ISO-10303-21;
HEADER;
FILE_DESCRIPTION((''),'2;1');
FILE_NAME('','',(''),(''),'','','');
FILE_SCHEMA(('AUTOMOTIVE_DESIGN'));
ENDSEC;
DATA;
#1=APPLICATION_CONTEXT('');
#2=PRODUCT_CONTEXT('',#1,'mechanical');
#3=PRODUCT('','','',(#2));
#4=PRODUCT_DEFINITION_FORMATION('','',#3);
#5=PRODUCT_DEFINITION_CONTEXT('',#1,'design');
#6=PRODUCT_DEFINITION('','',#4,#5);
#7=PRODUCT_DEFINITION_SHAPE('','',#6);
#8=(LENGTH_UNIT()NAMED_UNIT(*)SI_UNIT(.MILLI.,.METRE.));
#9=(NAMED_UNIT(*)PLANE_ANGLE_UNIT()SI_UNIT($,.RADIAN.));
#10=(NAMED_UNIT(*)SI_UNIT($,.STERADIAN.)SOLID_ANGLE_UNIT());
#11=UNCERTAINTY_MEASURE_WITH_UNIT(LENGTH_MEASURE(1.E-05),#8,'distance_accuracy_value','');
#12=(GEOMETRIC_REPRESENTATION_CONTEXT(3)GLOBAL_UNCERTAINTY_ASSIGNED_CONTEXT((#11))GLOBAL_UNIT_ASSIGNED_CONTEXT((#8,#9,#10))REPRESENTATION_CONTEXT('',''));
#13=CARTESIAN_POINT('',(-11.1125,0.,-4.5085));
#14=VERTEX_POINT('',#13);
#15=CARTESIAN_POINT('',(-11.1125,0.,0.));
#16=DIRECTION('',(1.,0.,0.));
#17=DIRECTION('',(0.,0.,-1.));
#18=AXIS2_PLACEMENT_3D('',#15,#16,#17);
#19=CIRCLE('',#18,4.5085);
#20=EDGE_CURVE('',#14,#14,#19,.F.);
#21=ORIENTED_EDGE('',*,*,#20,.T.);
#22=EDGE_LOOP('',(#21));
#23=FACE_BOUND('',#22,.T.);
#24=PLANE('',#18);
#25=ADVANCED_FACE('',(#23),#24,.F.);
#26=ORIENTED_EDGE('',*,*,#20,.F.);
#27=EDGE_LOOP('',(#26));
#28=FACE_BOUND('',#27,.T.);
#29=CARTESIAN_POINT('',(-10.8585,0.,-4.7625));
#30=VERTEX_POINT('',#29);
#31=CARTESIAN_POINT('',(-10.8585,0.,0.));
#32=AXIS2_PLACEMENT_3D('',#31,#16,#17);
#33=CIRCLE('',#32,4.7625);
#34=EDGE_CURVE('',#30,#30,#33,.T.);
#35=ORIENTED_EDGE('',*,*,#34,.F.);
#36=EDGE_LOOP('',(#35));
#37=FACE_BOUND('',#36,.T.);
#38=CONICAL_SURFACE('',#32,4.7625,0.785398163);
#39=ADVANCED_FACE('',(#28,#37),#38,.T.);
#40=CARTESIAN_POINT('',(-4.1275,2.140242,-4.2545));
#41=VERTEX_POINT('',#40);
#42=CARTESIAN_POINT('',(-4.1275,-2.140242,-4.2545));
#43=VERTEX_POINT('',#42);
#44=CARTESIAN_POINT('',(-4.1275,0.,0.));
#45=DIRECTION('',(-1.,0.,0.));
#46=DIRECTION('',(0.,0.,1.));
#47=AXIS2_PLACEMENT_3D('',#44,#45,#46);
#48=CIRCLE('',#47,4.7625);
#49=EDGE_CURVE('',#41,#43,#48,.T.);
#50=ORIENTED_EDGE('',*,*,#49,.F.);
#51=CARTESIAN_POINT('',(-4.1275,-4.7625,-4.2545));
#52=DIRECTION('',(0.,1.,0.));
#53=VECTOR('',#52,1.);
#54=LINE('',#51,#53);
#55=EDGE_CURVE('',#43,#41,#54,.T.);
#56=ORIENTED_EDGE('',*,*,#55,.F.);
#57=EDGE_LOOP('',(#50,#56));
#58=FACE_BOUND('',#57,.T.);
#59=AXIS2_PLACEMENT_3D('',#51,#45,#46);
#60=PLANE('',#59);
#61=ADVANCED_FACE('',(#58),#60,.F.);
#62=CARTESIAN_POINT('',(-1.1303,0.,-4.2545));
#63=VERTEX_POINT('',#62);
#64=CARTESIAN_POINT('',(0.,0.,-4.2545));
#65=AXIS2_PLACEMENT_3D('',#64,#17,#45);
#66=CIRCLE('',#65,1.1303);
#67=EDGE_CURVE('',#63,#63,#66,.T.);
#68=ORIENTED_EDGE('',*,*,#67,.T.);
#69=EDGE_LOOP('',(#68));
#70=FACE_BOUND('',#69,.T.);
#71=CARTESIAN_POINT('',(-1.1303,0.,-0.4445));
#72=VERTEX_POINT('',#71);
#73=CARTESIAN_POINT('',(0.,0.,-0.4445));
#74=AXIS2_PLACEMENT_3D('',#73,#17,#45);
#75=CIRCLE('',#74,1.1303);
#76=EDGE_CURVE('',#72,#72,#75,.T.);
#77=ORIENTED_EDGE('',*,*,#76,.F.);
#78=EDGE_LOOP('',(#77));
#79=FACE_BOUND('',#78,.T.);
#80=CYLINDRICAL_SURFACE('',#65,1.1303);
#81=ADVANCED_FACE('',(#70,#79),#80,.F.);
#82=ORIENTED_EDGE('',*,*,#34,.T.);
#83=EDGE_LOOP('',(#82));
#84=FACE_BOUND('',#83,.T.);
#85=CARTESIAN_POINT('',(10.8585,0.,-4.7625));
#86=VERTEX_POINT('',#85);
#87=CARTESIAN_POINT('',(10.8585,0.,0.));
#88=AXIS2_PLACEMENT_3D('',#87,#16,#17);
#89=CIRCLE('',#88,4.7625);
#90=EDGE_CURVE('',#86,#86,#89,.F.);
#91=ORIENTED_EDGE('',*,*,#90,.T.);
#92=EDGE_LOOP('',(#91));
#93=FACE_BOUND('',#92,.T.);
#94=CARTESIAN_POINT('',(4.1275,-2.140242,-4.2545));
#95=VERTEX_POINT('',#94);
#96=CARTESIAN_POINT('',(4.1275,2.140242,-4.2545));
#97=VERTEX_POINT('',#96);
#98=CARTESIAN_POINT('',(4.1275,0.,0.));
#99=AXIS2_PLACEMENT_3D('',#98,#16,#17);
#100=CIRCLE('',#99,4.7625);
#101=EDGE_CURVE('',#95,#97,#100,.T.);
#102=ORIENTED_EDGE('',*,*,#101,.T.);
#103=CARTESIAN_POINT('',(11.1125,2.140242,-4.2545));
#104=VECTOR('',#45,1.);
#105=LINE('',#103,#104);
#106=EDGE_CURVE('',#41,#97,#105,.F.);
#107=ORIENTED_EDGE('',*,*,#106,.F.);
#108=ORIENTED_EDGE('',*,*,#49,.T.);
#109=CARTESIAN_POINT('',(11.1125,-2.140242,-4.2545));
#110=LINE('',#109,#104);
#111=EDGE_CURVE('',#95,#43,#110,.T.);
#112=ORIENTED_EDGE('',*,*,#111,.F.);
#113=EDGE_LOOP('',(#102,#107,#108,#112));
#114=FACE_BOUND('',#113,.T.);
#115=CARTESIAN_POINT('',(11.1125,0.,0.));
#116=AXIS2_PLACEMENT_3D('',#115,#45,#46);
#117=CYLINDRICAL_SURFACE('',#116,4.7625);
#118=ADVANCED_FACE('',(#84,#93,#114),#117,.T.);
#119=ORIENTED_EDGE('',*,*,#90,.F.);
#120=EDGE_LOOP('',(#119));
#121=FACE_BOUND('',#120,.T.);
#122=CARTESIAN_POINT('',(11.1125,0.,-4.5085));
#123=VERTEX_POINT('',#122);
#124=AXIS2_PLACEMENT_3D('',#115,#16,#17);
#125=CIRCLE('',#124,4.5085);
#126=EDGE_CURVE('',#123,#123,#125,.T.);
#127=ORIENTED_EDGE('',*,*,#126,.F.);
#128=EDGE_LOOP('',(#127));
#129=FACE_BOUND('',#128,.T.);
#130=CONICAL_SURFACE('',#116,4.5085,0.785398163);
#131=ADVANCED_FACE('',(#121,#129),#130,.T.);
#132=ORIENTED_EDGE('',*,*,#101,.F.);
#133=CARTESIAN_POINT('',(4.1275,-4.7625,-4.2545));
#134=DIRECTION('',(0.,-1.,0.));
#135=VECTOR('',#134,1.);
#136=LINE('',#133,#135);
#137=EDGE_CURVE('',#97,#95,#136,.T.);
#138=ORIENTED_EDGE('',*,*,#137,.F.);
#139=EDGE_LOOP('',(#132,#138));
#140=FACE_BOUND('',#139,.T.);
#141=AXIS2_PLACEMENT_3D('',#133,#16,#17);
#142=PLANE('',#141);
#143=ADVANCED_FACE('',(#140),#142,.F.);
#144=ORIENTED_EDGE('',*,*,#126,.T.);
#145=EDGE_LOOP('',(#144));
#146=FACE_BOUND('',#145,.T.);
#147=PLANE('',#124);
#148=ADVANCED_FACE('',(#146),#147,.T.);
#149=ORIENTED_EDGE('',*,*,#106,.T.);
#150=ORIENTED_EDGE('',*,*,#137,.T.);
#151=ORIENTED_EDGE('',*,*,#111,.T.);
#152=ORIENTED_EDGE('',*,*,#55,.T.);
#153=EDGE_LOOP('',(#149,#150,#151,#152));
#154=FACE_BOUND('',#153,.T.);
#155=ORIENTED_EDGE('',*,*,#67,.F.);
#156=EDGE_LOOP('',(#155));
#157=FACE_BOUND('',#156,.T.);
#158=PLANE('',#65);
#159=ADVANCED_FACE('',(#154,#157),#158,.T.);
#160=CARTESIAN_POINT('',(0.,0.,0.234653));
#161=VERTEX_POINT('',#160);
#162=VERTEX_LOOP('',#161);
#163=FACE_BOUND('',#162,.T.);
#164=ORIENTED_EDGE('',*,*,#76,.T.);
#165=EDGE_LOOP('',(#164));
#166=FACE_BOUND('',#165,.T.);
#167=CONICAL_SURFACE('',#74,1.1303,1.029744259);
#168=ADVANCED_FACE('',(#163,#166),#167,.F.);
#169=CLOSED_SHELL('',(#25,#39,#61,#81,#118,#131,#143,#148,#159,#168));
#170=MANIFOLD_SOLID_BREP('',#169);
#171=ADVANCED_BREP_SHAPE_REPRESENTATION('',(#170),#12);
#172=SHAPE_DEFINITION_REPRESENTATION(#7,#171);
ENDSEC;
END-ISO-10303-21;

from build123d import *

# Parameters (mm, degrees)
SKETCH1_R                 = 4.7625
BOSS_EXTRUDE1_DEPTH       = 11.1125
SKETCH2_W                 = 8.255
SKETCH2_H                 = 9.525
CUT_EXTRUDE1_DEPTH        = 0.508
F_4_40_TAPPED_HOLE1_D     = 2.2606
F_4_40_TAPPED_HOLE1_DEPTH = 3.81
F_4_40_TAPPED_HOLE1_TIP   = 0.679152758
CHAMFER1_SIZE             = 0.254


with BuildPart() as part:
    # Sketch1 → Boss-Extrude1 (new body, symmetric)
    with BuildSketch(Plane(origin=(0, 0, 0), x_dir=(0, 0, -1), z_dir=(1, 0, 0))):
        Circle(SKETCH1_R)
    extrude(amount=BOSS_EXTRUDE1_DEPTH, both=True)

    # Sketch2 → Cut-Extrude1 (cut)
    with BuildSketch(Plane(origin=(0, 0, -4.7625), x_dir=(-1, 0, 0), z_dir=(0, 0, -1))):
        Rectangle(SKETCH2_W, SKETCH2_H)
    extrude(amount=-CUT_EXTRUDE1_DEPTH, mode=Mode.SUBTRACT)

    # #4-40 Tapped Hole1
    with Locations(Plane(origin=(0, 0, -4.2545), x_dir=(-1, 0, 0), z_dir=(0, 0, -1))):
        with Locations((0, 0)):
            Hole(F_4_40_TAPPED_HOLE1_D / 2, depth=F_4_40_TAPPED_HOLE1_DEPTH)
            with Locations((0, 0, -(F_4_40_TAPPED_HOLE1_DEPTH + F_4_40_TAPPED_HOLE1_TIP / 2))):  # 118° drill point
                Cone(0, F_4_40_TAPPED_HOLE1_D / 2, F_4_40_TAPPED_HOLE1_TIP, mode=Mode.SUBTRACT)

    # Chamfer1
    chamfer1_edges = [part.edges().sort_by_distance(p)[0] for p in [
        (-11.1125, 0, 4.7625),
        (11.1125, 0, 4.7625),
    ]]
    chamfer(chamfer1_edges, length=CHAMFER1_SIZE)


solid = part.part
